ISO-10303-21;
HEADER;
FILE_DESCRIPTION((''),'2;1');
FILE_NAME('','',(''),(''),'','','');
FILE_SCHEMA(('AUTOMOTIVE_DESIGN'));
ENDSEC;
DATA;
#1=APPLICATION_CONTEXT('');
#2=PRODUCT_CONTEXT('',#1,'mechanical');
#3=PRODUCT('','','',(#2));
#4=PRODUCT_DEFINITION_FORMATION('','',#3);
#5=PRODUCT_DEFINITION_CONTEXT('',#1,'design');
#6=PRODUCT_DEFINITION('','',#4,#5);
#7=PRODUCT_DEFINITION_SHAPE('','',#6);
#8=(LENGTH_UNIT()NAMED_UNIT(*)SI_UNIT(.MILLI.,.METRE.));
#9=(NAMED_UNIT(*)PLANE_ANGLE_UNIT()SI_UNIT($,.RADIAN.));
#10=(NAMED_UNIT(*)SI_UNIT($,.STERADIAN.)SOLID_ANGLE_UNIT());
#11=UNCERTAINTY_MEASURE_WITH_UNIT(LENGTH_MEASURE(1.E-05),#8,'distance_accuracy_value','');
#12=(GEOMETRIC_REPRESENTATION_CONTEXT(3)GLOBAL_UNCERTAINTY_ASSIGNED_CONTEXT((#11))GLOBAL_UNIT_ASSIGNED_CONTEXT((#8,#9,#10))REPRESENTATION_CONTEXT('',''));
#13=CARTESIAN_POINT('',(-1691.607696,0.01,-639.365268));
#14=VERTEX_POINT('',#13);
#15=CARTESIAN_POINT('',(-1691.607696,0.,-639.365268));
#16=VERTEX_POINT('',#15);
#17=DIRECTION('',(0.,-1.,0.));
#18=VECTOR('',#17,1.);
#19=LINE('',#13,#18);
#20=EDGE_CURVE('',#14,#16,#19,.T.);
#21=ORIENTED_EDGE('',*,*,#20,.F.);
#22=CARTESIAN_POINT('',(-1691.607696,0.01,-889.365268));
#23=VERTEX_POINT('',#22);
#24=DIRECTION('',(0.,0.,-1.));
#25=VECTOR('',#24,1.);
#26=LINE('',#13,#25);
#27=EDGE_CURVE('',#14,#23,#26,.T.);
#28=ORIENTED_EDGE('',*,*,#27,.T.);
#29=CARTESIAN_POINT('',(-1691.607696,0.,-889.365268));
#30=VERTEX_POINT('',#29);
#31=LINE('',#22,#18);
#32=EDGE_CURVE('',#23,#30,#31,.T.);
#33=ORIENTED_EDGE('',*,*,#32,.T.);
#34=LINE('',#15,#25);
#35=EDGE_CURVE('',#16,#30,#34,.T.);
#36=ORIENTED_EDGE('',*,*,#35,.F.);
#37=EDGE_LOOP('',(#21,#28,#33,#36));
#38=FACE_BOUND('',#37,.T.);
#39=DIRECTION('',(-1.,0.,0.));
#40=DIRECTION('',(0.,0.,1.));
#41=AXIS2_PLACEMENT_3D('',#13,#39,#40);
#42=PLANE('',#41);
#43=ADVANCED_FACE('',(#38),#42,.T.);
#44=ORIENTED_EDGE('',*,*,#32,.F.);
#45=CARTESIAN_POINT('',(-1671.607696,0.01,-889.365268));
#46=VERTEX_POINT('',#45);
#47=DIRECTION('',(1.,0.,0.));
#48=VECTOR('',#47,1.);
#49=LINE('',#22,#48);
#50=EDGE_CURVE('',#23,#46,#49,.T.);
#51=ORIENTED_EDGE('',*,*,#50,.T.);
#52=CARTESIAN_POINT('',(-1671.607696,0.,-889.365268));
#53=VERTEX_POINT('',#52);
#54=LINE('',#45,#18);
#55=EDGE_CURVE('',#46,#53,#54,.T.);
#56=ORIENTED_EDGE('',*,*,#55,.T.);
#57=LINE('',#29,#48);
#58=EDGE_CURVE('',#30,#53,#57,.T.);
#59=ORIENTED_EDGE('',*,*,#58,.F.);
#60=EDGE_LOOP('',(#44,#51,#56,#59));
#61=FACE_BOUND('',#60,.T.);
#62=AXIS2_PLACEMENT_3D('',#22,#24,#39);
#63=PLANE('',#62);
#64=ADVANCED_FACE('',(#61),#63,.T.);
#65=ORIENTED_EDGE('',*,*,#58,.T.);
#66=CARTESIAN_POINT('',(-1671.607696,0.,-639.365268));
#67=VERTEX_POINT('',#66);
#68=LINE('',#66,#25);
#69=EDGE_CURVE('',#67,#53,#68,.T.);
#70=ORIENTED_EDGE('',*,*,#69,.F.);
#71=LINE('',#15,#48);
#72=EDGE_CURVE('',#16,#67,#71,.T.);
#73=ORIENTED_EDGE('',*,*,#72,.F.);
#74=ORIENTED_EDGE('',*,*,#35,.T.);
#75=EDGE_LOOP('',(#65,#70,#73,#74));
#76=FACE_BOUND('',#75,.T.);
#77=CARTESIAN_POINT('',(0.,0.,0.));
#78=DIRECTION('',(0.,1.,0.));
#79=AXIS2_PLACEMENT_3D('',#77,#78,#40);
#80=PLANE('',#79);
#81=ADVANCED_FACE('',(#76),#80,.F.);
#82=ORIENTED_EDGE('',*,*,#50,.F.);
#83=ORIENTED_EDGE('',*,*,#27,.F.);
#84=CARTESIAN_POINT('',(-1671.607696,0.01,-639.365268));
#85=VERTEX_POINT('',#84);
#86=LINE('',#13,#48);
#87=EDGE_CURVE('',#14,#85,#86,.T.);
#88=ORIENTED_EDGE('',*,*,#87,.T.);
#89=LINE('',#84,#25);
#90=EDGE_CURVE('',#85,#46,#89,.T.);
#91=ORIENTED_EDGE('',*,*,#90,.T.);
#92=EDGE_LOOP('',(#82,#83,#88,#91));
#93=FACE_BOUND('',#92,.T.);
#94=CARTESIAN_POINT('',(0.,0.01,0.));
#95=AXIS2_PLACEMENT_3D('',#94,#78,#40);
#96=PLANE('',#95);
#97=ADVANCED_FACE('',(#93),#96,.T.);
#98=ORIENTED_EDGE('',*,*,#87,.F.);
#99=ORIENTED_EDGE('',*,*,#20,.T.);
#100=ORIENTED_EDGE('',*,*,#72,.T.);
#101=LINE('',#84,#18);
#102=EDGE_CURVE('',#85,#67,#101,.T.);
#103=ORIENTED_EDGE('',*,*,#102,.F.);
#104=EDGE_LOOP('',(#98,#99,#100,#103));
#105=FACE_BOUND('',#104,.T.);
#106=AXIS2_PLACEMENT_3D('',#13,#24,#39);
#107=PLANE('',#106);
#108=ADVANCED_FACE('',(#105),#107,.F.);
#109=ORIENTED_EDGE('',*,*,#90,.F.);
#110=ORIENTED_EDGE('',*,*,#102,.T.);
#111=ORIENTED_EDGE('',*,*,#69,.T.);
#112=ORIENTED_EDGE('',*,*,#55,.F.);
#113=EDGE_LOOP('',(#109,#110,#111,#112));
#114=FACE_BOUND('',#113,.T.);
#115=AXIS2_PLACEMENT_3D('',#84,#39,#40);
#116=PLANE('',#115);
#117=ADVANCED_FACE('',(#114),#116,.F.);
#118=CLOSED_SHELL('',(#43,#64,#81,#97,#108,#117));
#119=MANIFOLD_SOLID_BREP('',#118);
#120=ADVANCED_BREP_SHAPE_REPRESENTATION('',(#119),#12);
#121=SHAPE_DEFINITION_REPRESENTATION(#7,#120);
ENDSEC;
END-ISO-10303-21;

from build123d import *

# Parameters (mm, degrees)
ESBO_O1_W                 = 20
ESBO_O1_H                 = 250
RESSALTO_EXTRUS_O18_DEPTH = 0.01


with BuildPart() as part:
    # Esboço1 → Ressalto-extrusão18 (new body)
    with BuildSketch(Plane(origin=(0, 0, 0), x_dir=(1, 0, 0), z_dir=(0, 1, 0))):
        with Locations((-1681.607696338, 764.365268115)):
            Rectangle(ESBO_O1_W, ESBO_O1_H)
    extrude(amount=RESSALTO_EXTRUS_O18_DEPTH)


solid = part.part
